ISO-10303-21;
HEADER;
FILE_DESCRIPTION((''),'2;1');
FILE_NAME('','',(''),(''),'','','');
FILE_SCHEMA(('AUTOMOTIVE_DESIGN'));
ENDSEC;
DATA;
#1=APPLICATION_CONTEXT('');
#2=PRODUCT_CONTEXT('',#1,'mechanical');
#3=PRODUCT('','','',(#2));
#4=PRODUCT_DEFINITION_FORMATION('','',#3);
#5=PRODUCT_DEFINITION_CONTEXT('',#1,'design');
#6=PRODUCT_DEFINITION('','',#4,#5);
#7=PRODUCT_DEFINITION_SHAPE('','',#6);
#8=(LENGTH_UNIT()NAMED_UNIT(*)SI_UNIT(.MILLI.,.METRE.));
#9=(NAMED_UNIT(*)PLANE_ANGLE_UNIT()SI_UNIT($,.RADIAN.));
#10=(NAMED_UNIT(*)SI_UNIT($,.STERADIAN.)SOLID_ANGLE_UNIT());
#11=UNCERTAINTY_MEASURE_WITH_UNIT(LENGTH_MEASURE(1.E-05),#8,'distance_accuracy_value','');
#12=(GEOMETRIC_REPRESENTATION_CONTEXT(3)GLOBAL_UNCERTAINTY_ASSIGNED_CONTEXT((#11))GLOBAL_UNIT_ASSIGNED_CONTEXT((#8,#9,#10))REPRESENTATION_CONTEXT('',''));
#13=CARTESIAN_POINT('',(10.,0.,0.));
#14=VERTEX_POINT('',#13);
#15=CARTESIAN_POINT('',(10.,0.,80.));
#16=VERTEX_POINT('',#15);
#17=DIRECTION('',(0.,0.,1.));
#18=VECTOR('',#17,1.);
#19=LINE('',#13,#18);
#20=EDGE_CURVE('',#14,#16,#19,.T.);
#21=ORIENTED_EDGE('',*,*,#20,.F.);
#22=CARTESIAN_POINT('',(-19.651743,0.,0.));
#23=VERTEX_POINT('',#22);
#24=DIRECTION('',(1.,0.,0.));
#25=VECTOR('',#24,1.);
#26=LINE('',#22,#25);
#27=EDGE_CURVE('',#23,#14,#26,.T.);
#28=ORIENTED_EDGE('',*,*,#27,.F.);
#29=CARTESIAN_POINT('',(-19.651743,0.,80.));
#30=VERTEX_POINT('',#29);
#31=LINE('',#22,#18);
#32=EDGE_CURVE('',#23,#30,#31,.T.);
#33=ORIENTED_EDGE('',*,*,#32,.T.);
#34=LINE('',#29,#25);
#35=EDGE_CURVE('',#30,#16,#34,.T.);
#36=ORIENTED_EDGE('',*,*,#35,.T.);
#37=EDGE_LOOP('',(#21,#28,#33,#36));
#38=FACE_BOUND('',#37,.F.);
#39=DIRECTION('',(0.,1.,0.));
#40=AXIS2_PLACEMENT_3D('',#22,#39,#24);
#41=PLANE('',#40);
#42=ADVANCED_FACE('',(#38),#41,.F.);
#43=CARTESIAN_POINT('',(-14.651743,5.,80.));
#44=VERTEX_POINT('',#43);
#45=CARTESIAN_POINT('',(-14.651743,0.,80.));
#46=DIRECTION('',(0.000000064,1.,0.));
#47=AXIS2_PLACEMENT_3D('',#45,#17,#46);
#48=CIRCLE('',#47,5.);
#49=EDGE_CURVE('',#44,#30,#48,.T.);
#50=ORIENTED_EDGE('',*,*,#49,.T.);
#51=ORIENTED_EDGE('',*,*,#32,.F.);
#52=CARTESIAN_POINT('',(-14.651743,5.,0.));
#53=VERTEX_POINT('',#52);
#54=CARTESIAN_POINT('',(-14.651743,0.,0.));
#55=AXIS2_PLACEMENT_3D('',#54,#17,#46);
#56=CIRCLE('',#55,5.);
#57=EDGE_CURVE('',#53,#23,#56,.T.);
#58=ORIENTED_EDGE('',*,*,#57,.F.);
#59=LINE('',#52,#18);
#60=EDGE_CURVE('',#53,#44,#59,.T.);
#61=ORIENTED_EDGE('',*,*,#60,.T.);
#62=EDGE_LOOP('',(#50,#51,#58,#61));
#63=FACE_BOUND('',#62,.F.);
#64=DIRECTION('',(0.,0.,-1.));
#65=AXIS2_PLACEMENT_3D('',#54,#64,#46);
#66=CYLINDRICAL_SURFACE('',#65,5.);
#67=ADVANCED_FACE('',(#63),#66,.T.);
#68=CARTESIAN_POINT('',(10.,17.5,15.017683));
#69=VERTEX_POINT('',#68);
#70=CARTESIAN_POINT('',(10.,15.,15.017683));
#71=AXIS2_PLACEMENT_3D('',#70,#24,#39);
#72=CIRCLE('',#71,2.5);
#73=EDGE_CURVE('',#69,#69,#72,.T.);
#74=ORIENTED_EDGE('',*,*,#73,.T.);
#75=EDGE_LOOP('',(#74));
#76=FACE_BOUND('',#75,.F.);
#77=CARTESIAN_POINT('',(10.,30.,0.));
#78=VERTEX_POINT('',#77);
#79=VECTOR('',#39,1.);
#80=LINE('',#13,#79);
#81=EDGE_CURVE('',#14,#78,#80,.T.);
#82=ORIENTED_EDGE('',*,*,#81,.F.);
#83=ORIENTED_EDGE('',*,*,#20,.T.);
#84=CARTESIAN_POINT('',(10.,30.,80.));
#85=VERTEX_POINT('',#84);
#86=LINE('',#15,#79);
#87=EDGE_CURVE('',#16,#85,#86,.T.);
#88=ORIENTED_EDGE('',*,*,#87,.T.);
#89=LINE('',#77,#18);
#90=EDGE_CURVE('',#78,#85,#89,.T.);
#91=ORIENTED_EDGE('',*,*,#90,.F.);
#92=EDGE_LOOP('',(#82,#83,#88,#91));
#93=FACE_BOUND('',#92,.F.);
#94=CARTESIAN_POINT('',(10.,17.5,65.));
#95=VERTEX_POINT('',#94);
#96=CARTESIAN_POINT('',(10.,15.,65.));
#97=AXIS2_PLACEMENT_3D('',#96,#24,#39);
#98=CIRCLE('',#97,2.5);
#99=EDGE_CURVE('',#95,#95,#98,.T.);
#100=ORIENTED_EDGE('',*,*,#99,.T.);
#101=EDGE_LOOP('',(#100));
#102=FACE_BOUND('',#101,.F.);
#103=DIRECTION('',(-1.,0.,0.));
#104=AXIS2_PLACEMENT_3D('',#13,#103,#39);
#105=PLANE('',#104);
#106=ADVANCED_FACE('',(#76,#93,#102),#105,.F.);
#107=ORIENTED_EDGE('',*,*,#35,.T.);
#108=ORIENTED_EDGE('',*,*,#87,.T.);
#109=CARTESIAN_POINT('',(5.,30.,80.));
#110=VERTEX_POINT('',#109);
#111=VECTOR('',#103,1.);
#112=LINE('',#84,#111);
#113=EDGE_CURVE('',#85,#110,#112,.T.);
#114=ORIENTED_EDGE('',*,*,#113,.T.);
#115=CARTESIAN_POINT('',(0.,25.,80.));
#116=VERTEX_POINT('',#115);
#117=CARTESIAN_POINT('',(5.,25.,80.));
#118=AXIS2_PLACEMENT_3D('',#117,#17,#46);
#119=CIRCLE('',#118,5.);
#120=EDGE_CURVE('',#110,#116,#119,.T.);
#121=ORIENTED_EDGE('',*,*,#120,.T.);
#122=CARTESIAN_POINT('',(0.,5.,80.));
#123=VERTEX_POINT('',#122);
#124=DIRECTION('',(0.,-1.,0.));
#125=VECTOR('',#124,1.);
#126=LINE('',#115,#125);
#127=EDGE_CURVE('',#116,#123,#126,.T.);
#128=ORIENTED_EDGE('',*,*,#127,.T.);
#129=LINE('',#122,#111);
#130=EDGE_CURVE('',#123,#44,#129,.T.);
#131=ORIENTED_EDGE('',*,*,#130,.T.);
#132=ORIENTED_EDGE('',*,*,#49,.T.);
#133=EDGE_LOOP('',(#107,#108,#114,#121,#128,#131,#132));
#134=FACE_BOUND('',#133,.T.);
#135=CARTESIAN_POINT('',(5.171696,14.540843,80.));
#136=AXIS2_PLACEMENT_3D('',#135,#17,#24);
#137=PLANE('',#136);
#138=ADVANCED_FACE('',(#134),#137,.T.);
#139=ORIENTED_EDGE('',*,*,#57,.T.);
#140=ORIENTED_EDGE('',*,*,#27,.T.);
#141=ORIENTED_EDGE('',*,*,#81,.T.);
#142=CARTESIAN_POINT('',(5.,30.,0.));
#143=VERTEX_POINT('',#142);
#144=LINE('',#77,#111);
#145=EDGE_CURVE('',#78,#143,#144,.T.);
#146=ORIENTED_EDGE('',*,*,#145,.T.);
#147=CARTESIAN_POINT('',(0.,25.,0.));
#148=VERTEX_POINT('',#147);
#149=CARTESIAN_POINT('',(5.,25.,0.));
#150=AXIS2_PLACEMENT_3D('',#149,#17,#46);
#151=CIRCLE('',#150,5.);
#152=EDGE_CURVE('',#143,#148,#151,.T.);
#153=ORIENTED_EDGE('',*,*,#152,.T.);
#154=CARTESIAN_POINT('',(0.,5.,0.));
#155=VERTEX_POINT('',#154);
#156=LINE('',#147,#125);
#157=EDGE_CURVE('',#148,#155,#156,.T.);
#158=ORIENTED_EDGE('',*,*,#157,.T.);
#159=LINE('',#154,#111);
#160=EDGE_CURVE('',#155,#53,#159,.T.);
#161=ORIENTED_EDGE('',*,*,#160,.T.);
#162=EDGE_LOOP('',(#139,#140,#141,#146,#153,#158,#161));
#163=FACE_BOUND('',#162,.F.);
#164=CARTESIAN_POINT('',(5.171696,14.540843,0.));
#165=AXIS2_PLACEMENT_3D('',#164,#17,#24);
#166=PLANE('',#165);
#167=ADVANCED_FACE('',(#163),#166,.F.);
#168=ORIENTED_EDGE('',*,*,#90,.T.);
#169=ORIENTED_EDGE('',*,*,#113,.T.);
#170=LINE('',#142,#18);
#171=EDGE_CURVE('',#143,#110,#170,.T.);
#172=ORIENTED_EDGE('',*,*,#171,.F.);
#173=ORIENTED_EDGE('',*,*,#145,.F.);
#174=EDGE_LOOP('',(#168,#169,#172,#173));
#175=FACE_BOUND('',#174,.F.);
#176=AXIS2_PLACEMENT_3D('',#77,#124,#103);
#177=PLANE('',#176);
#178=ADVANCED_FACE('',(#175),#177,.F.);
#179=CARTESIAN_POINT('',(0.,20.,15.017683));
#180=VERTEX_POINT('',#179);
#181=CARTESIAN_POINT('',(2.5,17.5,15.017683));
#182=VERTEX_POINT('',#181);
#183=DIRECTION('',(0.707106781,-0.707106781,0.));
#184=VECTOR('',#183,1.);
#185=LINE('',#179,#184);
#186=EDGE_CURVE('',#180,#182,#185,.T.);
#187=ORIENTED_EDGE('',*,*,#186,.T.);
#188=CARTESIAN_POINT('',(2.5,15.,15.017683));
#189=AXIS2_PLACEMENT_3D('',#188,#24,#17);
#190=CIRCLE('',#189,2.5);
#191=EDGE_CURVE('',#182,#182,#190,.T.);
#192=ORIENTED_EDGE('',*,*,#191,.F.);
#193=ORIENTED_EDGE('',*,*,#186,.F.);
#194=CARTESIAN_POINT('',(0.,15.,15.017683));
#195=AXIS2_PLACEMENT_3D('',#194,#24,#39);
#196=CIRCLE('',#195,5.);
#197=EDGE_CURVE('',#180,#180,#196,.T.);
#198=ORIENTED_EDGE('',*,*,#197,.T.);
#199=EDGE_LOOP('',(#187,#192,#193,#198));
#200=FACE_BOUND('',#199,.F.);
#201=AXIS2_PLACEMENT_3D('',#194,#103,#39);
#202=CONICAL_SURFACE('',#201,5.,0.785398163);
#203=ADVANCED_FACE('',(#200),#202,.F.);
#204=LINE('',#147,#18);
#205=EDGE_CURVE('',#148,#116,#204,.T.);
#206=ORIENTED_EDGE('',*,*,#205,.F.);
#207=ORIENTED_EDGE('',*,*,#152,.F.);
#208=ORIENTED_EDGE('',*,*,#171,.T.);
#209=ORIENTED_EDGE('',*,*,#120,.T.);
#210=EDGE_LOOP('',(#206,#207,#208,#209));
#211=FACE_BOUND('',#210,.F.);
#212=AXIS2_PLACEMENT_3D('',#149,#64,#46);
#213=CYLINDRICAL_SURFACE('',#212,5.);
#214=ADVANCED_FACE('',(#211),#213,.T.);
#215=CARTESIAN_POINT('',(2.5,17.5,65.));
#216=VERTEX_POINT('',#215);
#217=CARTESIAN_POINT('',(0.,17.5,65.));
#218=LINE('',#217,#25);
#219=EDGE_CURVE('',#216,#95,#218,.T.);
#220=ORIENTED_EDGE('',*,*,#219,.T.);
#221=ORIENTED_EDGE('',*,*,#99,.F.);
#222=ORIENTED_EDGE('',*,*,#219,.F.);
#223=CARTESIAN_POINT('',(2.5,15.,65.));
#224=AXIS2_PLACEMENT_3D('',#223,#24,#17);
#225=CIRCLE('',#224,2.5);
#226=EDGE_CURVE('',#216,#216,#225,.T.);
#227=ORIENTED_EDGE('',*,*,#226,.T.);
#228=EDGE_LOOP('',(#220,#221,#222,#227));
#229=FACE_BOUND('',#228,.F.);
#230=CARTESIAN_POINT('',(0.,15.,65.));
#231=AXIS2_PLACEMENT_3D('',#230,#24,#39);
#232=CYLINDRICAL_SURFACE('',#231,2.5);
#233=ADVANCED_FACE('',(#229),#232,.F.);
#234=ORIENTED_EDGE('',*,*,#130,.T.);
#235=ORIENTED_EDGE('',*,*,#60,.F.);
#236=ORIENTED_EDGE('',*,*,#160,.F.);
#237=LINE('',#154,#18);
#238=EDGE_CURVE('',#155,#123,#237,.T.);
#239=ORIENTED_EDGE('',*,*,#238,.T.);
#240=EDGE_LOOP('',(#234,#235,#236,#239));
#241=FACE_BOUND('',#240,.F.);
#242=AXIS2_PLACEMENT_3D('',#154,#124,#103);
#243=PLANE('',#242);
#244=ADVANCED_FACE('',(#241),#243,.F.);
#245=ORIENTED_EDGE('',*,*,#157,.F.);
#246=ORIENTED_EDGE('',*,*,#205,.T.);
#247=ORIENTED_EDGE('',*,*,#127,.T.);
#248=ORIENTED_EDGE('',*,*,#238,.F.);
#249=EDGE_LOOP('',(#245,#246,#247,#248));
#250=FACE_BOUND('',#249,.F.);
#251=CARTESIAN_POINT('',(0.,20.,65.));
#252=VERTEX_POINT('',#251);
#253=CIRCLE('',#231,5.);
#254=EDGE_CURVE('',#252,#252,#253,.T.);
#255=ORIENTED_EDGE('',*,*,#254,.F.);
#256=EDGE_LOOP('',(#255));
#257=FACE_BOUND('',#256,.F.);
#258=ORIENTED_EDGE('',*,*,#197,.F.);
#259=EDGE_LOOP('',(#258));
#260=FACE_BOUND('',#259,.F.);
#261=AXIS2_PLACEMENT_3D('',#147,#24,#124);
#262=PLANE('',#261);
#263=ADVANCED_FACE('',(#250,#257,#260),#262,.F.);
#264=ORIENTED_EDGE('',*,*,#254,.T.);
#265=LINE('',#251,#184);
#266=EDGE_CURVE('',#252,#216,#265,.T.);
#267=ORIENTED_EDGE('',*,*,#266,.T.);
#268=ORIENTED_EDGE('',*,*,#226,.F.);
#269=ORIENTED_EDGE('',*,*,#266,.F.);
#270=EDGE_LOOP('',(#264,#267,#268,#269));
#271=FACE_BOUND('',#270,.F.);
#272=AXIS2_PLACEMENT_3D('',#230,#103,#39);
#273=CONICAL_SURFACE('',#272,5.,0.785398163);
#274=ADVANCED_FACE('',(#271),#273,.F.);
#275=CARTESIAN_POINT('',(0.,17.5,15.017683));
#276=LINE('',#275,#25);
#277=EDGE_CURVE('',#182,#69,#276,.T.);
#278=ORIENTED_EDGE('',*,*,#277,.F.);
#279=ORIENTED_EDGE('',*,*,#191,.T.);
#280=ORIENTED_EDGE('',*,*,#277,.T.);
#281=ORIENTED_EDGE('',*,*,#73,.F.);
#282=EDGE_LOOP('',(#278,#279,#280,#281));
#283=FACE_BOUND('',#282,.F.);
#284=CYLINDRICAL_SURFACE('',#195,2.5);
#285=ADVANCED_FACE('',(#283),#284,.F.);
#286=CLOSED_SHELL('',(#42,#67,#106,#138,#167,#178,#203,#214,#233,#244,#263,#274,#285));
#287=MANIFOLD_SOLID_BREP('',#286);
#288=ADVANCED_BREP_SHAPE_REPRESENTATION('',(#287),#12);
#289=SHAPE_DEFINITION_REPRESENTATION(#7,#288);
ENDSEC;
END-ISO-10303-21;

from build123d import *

# Parameters (mm, degrees)
F1_DEPTH       = 80
F3_D           = 5
F3_CSINK_D     = 10
F3_CSINK_ANGLE = 90


with BuildPart() as f1:
    # F0 (on Top) → F1 (new body)
    with BuildSketch(Plane.XY):
        with BuildLine():
            Line((10, 0), (10, 30))
            Line((10, 30), (5, 30))
            ThreePointArc((5, 30), (1.464466, 28.535534), (0, 25))
            Line((0, 25), (0, 5))
            Line((0, 5), (0, 0))
            Line((0, 0), (10, 0))
        make_face()
        with BuildLine():
            Line((-19.651743, 0), (0, 0))
            Line((0, 0), (0, 5))
            Line((0, 5), (-14.651743, 5))
            ThreePointArc((-14.651743, 5), (-18.187277, 3.535534), (-19.651743, 0))
        make_face()
    extrude(amount=F1_DEPTH)

    # F3 (through all)
    with Locations(Plane(origin=(0, 0, 0), x_dir=(0, -1, 0), z_dir=(-1, 0, 0))):
        with Locations((-15, 15.017683), (-15, 65)):
            CounterSinkHole(F3_D / 2, F3_CSINK_D / 2, counter_sink_angle=F3_CSINK_ANGLE)


solid = f1.part
